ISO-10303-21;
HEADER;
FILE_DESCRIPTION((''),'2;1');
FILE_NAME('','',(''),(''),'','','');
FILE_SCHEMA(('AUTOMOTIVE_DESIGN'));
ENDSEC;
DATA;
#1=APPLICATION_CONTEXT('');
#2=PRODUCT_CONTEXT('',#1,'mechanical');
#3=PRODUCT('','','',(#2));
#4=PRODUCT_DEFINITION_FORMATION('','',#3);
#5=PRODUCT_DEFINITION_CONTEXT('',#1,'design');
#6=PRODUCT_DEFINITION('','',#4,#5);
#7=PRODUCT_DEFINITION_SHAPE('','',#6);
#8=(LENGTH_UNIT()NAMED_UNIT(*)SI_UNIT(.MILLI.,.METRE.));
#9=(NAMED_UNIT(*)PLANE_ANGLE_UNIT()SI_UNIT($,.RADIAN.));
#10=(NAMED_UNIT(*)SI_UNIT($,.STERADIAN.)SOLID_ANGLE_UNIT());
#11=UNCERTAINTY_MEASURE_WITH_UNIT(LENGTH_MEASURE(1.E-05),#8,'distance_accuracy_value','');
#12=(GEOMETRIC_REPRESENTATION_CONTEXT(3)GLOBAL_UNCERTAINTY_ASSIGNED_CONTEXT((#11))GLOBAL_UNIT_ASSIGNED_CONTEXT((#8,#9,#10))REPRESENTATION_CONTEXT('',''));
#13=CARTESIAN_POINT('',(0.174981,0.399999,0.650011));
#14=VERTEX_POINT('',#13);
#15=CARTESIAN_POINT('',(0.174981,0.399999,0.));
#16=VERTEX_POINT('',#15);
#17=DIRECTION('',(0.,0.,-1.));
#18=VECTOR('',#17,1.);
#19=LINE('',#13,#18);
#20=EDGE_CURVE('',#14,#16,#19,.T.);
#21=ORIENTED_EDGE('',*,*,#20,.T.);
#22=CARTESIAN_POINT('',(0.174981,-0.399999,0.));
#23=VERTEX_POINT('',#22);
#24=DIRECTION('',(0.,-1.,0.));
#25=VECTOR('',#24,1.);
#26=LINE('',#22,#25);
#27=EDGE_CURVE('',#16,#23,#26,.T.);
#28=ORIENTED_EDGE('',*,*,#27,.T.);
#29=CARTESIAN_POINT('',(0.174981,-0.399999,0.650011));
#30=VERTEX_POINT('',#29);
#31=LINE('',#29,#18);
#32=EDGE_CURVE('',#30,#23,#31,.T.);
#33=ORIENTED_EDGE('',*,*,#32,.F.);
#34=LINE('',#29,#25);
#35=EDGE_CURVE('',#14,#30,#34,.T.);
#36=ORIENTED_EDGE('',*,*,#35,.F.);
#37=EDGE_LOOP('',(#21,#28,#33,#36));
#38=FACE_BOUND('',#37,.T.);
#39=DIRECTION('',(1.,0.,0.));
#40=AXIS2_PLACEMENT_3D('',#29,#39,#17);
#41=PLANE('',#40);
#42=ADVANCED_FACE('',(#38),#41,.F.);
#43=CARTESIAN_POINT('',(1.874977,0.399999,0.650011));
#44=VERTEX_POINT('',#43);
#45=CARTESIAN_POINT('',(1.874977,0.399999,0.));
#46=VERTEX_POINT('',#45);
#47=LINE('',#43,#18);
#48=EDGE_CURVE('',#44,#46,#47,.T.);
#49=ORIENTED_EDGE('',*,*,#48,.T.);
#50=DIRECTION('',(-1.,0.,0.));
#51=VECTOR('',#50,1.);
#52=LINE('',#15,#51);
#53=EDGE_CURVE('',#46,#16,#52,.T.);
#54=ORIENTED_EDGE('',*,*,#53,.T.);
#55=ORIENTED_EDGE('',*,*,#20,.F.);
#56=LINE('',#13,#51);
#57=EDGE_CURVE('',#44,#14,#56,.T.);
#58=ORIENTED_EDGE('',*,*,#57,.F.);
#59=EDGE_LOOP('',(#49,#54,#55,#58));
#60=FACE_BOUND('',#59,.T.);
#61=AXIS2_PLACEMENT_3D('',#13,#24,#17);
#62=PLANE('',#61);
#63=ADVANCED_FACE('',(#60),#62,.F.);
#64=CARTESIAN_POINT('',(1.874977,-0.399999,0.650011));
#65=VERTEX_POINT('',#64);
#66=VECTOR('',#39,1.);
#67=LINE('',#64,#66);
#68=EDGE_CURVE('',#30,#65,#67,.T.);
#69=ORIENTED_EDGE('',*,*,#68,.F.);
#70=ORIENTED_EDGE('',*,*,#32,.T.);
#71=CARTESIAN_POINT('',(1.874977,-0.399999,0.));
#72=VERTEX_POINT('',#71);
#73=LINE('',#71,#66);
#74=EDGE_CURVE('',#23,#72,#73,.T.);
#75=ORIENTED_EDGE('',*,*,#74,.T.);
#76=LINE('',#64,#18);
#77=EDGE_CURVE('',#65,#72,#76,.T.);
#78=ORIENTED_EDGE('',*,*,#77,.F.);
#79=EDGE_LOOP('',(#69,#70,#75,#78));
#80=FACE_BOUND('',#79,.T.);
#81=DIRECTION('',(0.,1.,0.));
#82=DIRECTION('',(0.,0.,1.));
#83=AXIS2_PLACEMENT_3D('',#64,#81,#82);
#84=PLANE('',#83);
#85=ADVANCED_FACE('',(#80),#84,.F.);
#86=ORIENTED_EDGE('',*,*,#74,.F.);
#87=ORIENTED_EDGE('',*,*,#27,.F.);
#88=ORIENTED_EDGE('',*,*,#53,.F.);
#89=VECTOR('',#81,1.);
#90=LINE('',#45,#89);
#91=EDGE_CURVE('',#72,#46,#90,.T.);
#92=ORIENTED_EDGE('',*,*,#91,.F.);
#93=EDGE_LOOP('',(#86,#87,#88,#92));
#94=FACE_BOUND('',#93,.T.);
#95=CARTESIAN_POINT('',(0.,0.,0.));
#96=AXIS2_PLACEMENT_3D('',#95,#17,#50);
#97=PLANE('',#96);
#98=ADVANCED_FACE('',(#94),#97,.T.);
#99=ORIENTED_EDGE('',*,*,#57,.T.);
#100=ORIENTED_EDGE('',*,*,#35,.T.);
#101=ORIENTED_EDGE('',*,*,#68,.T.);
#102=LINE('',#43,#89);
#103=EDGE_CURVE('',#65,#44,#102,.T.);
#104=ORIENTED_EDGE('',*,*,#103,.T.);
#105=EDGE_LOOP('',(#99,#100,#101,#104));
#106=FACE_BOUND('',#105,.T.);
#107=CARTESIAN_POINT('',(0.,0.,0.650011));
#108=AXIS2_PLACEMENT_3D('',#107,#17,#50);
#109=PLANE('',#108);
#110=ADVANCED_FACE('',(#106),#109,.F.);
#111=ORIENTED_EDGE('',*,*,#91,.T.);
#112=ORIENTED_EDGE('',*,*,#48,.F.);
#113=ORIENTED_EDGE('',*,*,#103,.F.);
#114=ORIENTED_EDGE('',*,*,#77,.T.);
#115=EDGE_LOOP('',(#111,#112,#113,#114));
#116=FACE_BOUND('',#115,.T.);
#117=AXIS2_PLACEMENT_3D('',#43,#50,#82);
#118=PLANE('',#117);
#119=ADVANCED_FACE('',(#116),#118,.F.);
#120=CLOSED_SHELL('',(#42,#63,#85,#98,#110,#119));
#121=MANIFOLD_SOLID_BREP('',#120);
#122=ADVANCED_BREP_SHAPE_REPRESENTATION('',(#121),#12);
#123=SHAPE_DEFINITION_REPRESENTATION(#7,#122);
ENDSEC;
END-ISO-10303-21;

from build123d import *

# Parameters (mm, degrees)
SKETCH1_W               = 1.6999966
SKETCH1_H               = 0.7999984
COMPONENT_OUTLINE_DEPTH = 0.6500114


with BuildPart() as part:
    # Sketch1 → Component_Outline (new body)
    with BuildSketch(Plane.XY):
        with Locations((1.0249789, 0)):
            Rectangle(SKETCH1_W, SKETCH1_H)
    extrude(amount=COMPONENT_OUTLINE_DEPTH)


solid = part.part
